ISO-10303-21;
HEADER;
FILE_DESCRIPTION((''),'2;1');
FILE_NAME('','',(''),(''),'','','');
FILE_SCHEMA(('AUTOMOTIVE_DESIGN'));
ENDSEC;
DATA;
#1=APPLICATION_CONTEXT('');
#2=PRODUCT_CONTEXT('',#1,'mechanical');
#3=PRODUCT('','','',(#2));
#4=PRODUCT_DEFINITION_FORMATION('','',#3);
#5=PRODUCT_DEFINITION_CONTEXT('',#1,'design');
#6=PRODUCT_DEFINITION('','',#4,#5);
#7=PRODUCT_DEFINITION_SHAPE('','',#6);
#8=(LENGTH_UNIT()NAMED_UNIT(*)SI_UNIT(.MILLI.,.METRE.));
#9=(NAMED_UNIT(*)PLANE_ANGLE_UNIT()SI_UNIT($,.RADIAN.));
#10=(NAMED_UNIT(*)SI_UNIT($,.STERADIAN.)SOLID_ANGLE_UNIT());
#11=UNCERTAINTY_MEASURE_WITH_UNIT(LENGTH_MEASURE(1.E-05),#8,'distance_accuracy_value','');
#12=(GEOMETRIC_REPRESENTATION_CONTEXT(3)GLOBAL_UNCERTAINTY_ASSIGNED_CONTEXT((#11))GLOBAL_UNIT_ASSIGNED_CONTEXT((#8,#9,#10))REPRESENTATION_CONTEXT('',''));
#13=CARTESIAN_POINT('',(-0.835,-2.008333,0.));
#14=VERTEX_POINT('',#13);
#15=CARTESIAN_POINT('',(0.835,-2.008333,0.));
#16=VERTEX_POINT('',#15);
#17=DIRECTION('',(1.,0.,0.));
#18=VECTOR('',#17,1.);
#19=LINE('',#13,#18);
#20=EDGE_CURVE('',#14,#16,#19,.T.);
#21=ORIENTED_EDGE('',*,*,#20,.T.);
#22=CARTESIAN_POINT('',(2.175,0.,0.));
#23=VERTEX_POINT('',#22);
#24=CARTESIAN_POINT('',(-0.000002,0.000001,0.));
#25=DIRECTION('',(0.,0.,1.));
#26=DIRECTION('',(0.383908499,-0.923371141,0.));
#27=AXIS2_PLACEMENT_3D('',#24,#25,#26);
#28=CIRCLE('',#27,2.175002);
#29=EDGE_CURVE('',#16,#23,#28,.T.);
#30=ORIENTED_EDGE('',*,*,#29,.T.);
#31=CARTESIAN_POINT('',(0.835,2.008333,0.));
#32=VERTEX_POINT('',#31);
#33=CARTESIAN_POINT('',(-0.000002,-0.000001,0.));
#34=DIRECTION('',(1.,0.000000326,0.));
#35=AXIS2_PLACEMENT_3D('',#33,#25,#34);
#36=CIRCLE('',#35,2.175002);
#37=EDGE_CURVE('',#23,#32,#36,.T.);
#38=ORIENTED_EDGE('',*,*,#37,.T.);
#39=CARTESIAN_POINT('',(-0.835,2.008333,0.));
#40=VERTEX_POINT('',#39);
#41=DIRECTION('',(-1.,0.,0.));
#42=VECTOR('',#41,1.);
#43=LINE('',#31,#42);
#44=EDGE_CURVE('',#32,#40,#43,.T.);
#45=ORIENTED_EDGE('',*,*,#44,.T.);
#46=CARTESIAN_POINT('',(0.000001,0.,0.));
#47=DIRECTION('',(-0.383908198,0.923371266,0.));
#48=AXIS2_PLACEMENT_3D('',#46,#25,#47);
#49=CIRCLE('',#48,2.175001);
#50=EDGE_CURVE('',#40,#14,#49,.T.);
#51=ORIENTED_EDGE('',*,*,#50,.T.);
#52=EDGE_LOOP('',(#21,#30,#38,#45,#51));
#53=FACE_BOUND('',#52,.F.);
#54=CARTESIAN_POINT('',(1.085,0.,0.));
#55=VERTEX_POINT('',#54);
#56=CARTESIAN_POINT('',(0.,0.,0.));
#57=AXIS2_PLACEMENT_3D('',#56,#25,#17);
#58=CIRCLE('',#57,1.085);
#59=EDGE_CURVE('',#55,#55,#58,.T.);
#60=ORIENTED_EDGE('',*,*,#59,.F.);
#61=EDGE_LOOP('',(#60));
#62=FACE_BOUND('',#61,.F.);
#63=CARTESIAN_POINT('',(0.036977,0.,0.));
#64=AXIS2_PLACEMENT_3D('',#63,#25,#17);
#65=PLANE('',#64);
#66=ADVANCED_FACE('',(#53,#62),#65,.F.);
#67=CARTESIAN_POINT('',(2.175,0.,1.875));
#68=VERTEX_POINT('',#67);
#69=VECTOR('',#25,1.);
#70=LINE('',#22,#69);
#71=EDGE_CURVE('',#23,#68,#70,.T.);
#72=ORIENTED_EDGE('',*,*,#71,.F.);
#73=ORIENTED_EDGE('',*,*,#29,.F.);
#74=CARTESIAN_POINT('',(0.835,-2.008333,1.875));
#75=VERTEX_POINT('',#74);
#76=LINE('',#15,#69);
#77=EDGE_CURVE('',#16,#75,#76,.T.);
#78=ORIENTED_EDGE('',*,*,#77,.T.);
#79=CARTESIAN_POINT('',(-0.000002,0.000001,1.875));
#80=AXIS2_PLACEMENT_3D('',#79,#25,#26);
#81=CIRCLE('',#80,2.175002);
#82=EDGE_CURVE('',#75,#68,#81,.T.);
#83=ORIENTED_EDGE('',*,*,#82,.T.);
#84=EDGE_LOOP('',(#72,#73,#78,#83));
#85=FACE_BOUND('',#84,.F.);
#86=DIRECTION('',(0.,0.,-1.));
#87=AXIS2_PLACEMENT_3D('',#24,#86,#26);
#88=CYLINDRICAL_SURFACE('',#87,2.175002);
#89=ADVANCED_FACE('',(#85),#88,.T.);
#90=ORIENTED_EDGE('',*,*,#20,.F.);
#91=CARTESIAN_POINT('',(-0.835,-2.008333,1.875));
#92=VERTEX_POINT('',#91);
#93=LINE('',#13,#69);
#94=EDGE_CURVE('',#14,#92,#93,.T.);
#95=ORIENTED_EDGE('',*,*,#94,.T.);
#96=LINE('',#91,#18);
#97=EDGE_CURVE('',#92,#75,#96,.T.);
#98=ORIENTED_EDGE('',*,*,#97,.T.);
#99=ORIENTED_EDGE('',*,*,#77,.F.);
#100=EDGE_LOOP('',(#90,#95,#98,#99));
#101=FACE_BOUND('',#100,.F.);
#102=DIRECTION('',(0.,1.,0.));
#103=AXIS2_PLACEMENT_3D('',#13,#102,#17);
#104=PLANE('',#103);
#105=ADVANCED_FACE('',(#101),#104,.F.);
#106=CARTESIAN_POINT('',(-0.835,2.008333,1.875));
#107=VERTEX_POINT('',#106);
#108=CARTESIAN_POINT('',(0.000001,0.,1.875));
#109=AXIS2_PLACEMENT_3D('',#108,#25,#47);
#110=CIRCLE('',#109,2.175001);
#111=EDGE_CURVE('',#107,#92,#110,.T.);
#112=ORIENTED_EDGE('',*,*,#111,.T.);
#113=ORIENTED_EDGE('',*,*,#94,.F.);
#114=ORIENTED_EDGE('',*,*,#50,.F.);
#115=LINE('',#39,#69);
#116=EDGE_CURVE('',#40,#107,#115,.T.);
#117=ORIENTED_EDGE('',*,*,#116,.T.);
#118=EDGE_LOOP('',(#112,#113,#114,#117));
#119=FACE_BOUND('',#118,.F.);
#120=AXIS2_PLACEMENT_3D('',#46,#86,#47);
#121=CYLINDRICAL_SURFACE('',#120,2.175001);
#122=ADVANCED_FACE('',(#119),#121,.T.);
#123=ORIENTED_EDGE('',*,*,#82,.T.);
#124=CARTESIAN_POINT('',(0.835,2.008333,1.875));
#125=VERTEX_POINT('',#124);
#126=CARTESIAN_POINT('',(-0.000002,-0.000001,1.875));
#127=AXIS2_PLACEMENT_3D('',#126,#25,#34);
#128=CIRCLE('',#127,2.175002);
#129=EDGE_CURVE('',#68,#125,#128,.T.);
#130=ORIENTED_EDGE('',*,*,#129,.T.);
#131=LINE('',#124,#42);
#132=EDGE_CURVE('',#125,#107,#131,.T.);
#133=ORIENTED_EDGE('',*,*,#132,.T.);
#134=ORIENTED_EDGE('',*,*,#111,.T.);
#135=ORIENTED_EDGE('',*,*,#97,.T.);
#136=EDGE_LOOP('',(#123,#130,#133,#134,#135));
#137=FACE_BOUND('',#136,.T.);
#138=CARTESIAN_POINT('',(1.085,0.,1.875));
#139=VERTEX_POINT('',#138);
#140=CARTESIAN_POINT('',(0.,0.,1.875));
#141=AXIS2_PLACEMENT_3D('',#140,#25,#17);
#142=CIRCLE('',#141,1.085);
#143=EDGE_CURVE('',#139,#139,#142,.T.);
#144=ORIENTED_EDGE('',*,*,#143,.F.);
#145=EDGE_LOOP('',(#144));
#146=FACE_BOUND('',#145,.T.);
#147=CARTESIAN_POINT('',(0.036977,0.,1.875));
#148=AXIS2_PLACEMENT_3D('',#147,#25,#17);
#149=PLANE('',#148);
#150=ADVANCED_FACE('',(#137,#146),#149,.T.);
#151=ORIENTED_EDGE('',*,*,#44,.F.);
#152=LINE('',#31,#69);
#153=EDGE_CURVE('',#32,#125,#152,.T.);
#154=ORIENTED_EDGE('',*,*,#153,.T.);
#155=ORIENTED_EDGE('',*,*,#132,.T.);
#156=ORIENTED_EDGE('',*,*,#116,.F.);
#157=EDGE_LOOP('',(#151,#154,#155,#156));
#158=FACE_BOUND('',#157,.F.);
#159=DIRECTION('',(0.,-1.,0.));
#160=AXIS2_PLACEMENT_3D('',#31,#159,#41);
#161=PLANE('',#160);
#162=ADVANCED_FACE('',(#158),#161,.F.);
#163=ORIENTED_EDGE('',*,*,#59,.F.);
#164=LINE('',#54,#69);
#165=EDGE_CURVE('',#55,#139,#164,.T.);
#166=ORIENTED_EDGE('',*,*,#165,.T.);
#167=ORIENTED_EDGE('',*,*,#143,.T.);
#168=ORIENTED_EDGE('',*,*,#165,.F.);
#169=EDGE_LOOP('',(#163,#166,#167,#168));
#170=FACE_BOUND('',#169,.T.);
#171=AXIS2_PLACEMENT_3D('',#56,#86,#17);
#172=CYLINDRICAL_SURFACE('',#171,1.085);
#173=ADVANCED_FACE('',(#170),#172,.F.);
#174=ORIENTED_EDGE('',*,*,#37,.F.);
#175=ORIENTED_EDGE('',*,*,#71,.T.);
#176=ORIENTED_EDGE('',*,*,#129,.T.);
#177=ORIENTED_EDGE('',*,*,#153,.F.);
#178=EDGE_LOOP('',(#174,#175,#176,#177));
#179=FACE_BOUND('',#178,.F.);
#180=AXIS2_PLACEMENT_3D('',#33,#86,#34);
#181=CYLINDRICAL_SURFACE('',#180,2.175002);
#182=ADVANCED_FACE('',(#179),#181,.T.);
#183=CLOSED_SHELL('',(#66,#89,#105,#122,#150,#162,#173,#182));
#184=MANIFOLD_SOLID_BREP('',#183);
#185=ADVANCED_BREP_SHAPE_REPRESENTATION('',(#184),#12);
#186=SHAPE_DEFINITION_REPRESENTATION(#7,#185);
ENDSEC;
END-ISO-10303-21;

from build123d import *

# Parameters (mm, degrees)
F0_R     = 1.085
F1_DEPTH = 1.875


with BuildPart() as f1:
    # F0 (on Top) → F1 (new body)
    with BuildSketch(Plane.XY):
        with BuildLine():
            ThreePointArc((0.835, -2.008333), (1.809247, -1.207166), (2.175, 0))
            ThreePointArc((2.175, 0), (1.809247, 1.207166), (0.835, 2.008333))
            Line((0.835, 2.008333), (-0.835, 2.008333))
            ThreePointArc((-0.835, 2.008333), (-2.175, 0), (-0.835, -2.008333))
            Line((-0.835, -2.008333), (0.835, -2.008333))
        make_face()
        Circle(F0_R, mode=Mode.SUBTRACT)
    extrude(amount=F1_DEPTH)


solid = f1.part
